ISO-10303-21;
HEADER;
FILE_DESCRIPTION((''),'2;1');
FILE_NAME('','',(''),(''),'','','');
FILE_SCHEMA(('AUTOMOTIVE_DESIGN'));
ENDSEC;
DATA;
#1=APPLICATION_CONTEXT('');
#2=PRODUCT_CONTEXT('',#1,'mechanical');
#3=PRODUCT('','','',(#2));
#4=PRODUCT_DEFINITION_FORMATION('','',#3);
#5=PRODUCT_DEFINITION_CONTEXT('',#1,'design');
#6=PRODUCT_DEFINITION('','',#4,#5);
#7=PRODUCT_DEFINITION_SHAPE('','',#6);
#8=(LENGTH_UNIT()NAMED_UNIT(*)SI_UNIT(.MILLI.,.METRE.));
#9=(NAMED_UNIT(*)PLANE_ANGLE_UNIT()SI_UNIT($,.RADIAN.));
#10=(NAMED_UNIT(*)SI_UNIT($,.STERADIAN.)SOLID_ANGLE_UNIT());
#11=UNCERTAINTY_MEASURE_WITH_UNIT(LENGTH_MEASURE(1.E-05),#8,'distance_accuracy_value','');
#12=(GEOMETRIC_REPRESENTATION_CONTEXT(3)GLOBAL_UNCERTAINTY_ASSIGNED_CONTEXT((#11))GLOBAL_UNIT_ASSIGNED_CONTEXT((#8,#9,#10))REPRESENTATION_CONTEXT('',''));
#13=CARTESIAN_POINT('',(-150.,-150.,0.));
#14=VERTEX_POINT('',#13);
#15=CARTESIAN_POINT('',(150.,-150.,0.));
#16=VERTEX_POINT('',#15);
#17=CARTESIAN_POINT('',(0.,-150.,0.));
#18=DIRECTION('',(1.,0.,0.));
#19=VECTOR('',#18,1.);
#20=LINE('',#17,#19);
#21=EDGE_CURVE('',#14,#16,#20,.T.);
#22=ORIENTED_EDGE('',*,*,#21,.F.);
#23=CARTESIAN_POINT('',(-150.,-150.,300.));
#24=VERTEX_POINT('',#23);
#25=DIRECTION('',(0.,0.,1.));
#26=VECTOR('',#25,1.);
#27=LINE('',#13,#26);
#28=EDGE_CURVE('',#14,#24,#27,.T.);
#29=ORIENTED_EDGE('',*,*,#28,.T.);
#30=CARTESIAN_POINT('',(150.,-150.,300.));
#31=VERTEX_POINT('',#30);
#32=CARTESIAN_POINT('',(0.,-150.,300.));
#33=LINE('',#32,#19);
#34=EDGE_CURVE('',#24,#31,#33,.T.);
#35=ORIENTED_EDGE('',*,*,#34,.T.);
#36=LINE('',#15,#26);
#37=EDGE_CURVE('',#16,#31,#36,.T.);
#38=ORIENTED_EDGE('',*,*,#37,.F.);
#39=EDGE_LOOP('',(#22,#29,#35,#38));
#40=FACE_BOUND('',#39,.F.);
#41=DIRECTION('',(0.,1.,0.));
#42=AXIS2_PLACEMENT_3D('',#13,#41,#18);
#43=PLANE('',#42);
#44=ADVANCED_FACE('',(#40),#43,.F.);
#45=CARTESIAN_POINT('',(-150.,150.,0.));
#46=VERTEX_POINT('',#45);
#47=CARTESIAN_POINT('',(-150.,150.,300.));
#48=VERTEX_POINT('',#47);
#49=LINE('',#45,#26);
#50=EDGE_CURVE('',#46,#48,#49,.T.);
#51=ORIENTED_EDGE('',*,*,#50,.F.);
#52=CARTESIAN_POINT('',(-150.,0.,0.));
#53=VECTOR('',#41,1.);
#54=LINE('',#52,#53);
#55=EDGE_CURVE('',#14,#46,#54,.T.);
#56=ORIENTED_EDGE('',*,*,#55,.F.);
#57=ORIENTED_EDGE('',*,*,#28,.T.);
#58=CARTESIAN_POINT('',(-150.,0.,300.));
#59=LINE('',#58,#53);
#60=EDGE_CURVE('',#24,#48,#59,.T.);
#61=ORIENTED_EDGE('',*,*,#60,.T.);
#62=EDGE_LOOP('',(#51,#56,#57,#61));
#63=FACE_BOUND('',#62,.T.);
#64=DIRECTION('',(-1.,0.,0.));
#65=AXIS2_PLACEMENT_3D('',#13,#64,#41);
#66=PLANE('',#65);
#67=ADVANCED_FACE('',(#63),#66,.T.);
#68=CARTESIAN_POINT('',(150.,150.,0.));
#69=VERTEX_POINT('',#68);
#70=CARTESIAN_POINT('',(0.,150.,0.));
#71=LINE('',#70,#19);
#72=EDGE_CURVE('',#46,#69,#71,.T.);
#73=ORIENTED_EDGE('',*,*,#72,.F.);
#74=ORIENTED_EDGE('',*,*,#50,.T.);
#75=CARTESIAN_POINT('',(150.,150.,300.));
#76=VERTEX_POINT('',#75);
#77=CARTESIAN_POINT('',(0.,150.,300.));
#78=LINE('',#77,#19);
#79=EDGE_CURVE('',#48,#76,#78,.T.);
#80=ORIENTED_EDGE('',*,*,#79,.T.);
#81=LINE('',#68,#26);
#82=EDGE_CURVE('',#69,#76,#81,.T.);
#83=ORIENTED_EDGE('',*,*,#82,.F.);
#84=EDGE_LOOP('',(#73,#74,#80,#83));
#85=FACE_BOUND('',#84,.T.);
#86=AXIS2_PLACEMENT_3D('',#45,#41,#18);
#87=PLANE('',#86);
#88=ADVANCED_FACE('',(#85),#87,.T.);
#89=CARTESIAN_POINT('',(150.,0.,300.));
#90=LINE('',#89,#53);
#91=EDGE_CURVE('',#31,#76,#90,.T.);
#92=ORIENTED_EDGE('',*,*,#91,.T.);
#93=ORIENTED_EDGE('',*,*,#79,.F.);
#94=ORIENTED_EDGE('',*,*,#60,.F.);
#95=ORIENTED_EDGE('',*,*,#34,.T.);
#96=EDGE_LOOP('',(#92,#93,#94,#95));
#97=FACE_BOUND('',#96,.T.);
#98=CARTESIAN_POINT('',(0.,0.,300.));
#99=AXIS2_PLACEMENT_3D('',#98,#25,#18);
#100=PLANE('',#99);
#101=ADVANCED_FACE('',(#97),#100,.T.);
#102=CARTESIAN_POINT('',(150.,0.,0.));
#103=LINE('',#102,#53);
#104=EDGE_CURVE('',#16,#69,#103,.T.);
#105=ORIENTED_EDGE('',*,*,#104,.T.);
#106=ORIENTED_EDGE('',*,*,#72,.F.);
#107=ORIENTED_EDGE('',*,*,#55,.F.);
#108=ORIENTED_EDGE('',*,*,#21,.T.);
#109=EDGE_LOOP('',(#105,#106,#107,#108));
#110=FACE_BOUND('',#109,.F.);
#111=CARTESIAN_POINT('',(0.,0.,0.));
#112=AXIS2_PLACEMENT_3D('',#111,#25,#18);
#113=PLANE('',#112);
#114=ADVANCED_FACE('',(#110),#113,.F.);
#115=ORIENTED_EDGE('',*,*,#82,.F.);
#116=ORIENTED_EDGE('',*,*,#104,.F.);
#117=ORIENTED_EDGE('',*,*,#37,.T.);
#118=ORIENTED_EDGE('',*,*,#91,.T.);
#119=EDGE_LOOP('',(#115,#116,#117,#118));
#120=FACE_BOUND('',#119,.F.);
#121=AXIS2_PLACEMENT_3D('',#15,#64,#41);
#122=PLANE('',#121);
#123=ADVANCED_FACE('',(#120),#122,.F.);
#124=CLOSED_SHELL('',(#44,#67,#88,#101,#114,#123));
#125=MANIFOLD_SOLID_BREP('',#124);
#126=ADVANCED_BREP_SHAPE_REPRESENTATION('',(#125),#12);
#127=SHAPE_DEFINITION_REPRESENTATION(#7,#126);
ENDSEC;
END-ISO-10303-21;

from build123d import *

# Parameters (mm, degrees)
SKETCH1_W           = 300
SKETCH1_H           = 300
BOSS_EXTRUDE1_DEPTH = 300


with BuildPart() as part:
    # Sketch1 → Boss-Extrude1 (new body)
    with BuildSketch(Plane.XY):
        Rectangle(SKETCH1_W, SKETCH1_H)
    extrude(amount=BOSS_EXTRUDE1_DEPTH)


solid = part.part
